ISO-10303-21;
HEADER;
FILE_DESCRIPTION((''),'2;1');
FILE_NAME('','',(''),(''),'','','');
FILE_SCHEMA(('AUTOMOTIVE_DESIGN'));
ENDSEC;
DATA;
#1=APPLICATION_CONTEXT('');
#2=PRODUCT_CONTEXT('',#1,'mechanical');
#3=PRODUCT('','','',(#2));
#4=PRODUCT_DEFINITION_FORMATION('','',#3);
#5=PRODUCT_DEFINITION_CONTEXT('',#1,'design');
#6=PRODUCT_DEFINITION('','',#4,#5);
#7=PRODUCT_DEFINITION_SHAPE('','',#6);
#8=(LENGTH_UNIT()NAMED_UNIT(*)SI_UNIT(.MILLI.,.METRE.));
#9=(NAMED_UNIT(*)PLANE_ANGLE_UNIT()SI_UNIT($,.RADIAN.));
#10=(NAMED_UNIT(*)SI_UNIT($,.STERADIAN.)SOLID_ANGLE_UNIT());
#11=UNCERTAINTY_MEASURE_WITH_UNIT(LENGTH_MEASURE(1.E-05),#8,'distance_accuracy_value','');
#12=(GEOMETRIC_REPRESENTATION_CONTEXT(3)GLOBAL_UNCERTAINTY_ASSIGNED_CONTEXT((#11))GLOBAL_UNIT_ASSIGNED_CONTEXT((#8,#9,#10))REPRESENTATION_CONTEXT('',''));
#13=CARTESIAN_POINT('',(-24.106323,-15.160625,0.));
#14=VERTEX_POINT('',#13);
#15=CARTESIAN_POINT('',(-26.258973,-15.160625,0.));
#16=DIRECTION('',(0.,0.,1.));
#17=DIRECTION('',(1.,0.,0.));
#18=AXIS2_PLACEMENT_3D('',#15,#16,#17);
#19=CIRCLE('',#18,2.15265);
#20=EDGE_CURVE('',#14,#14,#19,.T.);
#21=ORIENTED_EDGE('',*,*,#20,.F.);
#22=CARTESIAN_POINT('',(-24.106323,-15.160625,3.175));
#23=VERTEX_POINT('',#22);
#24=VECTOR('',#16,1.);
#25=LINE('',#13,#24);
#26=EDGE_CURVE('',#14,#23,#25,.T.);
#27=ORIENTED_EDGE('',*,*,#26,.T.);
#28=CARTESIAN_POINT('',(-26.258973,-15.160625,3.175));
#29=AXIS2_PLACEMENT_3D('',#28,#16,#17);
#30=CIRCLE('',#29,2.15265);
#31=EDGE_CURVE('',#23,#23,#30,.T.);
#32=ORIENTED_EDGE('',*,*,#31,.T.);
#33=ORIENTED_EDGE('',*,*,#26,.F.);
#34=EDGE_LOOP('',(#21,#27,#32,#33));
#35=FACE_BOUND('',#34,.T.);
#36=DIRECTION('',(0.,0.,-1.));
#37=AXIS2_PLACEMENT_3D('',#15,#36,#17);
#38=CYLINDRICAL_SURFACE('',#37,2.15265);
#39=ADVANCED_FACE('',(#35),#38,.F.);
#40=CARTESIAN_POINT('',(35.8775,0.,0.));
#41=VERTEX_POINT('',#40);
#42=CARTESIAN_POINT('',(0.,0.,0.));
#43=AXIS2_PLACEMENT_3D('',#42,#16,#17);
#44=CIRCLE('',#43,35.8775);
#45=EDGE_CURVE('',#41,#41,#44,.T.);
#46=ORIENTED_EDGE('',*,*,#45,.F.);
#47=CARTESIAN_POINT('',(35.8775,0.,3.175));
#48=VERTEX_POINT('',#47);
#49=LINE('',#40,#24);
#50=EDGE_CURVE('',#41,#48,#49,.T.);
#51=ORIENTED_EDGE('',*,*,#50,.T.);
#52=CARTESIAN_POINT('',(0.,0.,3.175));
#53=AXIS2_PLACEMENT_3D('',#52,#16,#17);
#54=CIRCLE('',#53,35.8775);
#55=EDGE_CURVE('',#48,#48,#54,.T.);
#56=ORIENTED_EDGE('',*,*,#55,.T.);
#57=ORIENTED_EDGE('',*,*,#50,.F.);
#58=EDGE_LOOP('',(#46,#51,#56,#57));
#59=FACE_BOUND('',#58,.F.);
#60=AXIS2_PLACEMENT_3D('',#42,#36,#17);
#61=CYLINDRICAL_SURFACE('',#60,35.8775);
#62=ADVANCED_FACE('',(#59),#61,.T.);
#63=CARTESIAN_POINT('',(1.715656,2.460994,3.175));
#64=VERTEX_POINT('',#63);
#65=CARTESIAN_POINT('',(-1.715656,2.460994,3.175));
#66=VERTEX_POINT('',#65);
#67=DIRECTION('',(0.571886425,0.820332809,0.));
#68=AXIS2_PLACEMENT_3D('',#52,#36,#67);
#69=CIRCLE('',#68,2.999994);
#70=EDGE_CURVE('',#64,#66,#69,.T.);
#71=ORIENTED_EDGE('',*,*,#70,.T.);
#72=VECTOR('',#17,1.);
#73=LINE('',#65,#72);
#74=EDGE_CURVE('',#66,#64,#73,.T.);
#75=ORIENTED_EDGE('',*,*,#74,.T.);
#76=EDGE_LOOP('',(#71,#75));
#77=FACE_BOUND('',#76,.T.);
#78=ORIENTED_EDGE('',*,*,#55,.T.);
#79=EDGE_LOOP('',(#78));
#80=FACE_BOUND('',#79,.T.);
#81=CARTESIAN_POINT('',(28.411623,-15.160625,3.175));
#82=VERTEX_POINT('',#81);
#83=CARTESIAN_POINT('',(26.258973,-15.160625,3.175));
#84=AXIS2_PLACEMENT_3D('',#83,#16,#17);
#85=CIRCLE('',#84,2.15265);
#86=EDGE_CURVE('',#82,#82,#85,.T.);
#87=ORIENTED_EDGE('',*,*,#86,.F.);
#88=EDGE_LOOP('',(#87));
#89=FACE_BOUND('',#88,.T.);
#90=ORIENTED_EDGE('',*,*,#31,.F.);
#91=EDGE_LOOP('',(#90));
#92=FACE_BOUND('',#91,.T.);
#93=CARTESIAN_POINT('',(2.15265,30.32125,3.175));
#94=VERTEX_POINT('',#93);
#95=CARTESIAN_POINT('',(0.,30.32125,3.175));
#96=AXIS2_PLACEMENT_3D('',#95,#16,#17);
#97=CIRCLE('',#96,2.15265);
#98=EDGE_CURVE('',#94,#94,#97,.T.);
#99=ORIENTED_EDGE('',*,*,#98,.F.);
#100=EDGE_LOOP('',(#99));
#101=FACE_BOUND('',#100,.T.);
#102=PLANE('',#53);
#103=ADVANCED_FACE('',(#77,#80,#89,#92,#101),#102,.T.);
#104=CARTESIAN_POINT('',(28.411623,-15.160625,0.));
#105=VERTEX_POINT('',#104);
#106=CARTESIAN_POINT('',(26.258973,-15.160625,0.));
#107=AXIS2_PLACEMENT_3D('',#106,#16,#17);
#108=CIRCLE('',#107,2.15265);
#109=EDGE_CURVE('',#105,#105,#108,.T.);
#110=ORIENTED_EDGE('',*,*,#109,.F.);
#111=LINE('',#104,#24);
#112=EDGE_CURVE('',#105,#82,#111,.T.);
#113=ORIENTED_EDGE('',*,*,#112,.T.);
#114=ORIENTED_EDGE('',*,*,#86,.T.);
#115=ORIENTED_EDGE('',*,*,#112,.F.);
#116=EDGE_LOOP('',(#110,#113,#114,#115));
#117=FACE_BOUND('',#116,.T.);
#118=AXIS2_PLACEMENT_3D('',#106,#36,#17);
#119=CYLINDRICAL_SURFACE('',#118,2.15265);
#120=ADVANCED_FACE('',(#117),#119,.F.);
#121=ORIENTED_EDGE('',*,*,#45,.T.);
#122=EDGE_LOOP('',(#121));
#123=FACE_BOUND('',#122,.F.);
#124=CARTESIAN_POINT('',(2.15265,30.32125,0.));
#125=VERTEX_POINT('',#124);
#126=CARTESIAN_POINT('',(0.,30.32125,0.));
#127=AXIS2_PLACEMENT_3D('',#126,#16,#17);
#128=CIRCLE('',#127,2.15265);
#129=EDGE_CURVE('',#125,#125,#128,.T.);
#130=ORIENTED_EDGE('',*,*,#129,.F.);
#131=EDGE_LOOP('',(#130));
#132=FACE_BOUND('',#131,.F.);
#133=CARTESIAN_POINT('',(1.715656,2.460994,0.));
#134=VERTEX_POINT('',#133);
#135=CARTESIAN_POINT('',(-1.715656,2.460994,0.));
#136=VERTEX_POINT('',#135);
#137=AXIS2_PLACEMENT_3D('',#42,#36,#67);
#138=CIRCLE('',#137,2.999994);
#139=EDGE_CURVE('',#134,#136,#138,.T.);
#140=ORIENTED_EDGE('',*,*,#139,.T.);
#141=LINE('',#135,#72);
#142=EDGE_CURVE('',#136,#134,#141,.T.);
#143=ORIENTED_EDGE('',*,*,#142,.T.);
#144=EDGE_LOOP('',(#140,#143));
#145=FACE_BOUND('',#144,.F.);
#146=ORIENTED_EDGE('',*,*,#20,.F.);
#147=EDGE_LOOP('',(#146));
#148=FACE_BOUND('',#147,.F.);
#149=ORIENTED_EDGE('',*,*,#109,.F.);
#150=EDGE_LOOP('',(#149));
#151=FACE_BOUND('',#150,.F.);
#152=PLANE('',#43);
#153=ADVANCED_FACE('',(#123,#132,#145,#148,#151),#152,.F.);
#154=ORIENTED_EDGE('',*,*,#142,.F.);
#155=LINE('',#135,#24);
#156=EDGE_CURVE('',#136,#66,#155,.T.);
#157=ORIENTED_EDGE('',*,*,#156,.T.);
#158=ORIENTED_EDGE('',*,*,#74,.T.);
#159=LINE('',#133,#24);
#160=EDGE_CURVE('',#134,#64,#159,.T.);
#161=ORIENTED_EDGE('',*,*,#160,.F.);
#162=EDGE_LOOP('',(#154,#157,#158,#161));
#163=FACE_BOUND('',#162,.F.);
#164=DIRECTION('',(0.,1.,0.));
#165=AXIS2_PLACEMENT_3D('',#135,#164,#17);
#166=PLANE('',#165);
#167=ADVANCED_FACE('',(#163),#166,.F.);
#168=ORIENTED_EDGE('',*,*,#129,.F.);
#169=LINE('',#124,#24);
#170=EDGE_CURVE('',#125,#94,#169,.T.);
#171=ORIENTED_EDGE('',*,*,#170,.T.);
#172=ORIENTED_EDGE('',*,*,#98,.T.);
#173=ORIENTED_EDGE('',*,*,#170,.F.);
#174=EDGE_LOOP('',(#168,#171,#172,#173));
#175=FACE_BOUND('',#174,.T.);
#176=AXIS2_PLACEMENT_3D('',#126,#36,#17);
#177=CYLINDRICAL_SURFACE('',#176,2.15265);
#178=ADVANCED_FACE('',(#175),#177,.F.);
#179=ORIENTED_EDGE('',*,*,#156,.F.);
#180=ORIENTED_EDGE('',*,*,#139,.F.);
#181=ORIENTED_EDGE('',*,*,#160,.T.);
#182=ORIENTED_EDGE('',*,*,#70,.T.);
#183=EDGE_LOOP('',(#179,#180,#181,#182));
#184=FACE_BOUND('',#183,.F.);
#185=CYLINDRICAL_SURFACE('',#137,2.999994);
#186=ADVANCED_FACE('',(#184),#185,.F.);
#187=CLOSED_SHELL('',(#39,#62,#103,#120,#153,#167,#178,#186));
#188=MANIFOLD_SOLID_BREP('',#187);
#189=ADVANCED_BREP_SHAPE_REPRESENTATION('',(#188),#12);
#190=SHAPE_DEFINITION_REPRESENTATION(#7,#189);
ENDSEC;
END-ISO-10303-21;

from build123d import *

# Parameters (mm, degrees)
F0_R     = 35.8775
F0_R_2   = 2.15265
F1_DEPTH = 3.175


with BuildPart() as f1:
    # F0 (on Top) → F1 (new body)
    with BuildSketch(Plane.XY):
        Circle(F0_R)
        with Locations((-26.258973, -15.160625)):
            Circle(F0_R_2, mode=Mode.SUBTRACT)
        with BuildLine():
            ThreePointArc((1.715656, 2.460994), (0, -2.999994), (-1.715656, 2.460994))
            Line((-1.715656, 2.460994), (1.715656, 2.460994))
        make_face(mode=Mode.SUBTRACT)
        with Locations((26.258973, -15.160625)):
            Circle(F0_R_2, mode=Mode.SUBTRACT)
        with Locations((0, 30.32125)):
            Circle(F0_R_2, mode=Mode.SUBTRACT)
    extrude(amount=F1_DEPTH)


solid = f1.part
